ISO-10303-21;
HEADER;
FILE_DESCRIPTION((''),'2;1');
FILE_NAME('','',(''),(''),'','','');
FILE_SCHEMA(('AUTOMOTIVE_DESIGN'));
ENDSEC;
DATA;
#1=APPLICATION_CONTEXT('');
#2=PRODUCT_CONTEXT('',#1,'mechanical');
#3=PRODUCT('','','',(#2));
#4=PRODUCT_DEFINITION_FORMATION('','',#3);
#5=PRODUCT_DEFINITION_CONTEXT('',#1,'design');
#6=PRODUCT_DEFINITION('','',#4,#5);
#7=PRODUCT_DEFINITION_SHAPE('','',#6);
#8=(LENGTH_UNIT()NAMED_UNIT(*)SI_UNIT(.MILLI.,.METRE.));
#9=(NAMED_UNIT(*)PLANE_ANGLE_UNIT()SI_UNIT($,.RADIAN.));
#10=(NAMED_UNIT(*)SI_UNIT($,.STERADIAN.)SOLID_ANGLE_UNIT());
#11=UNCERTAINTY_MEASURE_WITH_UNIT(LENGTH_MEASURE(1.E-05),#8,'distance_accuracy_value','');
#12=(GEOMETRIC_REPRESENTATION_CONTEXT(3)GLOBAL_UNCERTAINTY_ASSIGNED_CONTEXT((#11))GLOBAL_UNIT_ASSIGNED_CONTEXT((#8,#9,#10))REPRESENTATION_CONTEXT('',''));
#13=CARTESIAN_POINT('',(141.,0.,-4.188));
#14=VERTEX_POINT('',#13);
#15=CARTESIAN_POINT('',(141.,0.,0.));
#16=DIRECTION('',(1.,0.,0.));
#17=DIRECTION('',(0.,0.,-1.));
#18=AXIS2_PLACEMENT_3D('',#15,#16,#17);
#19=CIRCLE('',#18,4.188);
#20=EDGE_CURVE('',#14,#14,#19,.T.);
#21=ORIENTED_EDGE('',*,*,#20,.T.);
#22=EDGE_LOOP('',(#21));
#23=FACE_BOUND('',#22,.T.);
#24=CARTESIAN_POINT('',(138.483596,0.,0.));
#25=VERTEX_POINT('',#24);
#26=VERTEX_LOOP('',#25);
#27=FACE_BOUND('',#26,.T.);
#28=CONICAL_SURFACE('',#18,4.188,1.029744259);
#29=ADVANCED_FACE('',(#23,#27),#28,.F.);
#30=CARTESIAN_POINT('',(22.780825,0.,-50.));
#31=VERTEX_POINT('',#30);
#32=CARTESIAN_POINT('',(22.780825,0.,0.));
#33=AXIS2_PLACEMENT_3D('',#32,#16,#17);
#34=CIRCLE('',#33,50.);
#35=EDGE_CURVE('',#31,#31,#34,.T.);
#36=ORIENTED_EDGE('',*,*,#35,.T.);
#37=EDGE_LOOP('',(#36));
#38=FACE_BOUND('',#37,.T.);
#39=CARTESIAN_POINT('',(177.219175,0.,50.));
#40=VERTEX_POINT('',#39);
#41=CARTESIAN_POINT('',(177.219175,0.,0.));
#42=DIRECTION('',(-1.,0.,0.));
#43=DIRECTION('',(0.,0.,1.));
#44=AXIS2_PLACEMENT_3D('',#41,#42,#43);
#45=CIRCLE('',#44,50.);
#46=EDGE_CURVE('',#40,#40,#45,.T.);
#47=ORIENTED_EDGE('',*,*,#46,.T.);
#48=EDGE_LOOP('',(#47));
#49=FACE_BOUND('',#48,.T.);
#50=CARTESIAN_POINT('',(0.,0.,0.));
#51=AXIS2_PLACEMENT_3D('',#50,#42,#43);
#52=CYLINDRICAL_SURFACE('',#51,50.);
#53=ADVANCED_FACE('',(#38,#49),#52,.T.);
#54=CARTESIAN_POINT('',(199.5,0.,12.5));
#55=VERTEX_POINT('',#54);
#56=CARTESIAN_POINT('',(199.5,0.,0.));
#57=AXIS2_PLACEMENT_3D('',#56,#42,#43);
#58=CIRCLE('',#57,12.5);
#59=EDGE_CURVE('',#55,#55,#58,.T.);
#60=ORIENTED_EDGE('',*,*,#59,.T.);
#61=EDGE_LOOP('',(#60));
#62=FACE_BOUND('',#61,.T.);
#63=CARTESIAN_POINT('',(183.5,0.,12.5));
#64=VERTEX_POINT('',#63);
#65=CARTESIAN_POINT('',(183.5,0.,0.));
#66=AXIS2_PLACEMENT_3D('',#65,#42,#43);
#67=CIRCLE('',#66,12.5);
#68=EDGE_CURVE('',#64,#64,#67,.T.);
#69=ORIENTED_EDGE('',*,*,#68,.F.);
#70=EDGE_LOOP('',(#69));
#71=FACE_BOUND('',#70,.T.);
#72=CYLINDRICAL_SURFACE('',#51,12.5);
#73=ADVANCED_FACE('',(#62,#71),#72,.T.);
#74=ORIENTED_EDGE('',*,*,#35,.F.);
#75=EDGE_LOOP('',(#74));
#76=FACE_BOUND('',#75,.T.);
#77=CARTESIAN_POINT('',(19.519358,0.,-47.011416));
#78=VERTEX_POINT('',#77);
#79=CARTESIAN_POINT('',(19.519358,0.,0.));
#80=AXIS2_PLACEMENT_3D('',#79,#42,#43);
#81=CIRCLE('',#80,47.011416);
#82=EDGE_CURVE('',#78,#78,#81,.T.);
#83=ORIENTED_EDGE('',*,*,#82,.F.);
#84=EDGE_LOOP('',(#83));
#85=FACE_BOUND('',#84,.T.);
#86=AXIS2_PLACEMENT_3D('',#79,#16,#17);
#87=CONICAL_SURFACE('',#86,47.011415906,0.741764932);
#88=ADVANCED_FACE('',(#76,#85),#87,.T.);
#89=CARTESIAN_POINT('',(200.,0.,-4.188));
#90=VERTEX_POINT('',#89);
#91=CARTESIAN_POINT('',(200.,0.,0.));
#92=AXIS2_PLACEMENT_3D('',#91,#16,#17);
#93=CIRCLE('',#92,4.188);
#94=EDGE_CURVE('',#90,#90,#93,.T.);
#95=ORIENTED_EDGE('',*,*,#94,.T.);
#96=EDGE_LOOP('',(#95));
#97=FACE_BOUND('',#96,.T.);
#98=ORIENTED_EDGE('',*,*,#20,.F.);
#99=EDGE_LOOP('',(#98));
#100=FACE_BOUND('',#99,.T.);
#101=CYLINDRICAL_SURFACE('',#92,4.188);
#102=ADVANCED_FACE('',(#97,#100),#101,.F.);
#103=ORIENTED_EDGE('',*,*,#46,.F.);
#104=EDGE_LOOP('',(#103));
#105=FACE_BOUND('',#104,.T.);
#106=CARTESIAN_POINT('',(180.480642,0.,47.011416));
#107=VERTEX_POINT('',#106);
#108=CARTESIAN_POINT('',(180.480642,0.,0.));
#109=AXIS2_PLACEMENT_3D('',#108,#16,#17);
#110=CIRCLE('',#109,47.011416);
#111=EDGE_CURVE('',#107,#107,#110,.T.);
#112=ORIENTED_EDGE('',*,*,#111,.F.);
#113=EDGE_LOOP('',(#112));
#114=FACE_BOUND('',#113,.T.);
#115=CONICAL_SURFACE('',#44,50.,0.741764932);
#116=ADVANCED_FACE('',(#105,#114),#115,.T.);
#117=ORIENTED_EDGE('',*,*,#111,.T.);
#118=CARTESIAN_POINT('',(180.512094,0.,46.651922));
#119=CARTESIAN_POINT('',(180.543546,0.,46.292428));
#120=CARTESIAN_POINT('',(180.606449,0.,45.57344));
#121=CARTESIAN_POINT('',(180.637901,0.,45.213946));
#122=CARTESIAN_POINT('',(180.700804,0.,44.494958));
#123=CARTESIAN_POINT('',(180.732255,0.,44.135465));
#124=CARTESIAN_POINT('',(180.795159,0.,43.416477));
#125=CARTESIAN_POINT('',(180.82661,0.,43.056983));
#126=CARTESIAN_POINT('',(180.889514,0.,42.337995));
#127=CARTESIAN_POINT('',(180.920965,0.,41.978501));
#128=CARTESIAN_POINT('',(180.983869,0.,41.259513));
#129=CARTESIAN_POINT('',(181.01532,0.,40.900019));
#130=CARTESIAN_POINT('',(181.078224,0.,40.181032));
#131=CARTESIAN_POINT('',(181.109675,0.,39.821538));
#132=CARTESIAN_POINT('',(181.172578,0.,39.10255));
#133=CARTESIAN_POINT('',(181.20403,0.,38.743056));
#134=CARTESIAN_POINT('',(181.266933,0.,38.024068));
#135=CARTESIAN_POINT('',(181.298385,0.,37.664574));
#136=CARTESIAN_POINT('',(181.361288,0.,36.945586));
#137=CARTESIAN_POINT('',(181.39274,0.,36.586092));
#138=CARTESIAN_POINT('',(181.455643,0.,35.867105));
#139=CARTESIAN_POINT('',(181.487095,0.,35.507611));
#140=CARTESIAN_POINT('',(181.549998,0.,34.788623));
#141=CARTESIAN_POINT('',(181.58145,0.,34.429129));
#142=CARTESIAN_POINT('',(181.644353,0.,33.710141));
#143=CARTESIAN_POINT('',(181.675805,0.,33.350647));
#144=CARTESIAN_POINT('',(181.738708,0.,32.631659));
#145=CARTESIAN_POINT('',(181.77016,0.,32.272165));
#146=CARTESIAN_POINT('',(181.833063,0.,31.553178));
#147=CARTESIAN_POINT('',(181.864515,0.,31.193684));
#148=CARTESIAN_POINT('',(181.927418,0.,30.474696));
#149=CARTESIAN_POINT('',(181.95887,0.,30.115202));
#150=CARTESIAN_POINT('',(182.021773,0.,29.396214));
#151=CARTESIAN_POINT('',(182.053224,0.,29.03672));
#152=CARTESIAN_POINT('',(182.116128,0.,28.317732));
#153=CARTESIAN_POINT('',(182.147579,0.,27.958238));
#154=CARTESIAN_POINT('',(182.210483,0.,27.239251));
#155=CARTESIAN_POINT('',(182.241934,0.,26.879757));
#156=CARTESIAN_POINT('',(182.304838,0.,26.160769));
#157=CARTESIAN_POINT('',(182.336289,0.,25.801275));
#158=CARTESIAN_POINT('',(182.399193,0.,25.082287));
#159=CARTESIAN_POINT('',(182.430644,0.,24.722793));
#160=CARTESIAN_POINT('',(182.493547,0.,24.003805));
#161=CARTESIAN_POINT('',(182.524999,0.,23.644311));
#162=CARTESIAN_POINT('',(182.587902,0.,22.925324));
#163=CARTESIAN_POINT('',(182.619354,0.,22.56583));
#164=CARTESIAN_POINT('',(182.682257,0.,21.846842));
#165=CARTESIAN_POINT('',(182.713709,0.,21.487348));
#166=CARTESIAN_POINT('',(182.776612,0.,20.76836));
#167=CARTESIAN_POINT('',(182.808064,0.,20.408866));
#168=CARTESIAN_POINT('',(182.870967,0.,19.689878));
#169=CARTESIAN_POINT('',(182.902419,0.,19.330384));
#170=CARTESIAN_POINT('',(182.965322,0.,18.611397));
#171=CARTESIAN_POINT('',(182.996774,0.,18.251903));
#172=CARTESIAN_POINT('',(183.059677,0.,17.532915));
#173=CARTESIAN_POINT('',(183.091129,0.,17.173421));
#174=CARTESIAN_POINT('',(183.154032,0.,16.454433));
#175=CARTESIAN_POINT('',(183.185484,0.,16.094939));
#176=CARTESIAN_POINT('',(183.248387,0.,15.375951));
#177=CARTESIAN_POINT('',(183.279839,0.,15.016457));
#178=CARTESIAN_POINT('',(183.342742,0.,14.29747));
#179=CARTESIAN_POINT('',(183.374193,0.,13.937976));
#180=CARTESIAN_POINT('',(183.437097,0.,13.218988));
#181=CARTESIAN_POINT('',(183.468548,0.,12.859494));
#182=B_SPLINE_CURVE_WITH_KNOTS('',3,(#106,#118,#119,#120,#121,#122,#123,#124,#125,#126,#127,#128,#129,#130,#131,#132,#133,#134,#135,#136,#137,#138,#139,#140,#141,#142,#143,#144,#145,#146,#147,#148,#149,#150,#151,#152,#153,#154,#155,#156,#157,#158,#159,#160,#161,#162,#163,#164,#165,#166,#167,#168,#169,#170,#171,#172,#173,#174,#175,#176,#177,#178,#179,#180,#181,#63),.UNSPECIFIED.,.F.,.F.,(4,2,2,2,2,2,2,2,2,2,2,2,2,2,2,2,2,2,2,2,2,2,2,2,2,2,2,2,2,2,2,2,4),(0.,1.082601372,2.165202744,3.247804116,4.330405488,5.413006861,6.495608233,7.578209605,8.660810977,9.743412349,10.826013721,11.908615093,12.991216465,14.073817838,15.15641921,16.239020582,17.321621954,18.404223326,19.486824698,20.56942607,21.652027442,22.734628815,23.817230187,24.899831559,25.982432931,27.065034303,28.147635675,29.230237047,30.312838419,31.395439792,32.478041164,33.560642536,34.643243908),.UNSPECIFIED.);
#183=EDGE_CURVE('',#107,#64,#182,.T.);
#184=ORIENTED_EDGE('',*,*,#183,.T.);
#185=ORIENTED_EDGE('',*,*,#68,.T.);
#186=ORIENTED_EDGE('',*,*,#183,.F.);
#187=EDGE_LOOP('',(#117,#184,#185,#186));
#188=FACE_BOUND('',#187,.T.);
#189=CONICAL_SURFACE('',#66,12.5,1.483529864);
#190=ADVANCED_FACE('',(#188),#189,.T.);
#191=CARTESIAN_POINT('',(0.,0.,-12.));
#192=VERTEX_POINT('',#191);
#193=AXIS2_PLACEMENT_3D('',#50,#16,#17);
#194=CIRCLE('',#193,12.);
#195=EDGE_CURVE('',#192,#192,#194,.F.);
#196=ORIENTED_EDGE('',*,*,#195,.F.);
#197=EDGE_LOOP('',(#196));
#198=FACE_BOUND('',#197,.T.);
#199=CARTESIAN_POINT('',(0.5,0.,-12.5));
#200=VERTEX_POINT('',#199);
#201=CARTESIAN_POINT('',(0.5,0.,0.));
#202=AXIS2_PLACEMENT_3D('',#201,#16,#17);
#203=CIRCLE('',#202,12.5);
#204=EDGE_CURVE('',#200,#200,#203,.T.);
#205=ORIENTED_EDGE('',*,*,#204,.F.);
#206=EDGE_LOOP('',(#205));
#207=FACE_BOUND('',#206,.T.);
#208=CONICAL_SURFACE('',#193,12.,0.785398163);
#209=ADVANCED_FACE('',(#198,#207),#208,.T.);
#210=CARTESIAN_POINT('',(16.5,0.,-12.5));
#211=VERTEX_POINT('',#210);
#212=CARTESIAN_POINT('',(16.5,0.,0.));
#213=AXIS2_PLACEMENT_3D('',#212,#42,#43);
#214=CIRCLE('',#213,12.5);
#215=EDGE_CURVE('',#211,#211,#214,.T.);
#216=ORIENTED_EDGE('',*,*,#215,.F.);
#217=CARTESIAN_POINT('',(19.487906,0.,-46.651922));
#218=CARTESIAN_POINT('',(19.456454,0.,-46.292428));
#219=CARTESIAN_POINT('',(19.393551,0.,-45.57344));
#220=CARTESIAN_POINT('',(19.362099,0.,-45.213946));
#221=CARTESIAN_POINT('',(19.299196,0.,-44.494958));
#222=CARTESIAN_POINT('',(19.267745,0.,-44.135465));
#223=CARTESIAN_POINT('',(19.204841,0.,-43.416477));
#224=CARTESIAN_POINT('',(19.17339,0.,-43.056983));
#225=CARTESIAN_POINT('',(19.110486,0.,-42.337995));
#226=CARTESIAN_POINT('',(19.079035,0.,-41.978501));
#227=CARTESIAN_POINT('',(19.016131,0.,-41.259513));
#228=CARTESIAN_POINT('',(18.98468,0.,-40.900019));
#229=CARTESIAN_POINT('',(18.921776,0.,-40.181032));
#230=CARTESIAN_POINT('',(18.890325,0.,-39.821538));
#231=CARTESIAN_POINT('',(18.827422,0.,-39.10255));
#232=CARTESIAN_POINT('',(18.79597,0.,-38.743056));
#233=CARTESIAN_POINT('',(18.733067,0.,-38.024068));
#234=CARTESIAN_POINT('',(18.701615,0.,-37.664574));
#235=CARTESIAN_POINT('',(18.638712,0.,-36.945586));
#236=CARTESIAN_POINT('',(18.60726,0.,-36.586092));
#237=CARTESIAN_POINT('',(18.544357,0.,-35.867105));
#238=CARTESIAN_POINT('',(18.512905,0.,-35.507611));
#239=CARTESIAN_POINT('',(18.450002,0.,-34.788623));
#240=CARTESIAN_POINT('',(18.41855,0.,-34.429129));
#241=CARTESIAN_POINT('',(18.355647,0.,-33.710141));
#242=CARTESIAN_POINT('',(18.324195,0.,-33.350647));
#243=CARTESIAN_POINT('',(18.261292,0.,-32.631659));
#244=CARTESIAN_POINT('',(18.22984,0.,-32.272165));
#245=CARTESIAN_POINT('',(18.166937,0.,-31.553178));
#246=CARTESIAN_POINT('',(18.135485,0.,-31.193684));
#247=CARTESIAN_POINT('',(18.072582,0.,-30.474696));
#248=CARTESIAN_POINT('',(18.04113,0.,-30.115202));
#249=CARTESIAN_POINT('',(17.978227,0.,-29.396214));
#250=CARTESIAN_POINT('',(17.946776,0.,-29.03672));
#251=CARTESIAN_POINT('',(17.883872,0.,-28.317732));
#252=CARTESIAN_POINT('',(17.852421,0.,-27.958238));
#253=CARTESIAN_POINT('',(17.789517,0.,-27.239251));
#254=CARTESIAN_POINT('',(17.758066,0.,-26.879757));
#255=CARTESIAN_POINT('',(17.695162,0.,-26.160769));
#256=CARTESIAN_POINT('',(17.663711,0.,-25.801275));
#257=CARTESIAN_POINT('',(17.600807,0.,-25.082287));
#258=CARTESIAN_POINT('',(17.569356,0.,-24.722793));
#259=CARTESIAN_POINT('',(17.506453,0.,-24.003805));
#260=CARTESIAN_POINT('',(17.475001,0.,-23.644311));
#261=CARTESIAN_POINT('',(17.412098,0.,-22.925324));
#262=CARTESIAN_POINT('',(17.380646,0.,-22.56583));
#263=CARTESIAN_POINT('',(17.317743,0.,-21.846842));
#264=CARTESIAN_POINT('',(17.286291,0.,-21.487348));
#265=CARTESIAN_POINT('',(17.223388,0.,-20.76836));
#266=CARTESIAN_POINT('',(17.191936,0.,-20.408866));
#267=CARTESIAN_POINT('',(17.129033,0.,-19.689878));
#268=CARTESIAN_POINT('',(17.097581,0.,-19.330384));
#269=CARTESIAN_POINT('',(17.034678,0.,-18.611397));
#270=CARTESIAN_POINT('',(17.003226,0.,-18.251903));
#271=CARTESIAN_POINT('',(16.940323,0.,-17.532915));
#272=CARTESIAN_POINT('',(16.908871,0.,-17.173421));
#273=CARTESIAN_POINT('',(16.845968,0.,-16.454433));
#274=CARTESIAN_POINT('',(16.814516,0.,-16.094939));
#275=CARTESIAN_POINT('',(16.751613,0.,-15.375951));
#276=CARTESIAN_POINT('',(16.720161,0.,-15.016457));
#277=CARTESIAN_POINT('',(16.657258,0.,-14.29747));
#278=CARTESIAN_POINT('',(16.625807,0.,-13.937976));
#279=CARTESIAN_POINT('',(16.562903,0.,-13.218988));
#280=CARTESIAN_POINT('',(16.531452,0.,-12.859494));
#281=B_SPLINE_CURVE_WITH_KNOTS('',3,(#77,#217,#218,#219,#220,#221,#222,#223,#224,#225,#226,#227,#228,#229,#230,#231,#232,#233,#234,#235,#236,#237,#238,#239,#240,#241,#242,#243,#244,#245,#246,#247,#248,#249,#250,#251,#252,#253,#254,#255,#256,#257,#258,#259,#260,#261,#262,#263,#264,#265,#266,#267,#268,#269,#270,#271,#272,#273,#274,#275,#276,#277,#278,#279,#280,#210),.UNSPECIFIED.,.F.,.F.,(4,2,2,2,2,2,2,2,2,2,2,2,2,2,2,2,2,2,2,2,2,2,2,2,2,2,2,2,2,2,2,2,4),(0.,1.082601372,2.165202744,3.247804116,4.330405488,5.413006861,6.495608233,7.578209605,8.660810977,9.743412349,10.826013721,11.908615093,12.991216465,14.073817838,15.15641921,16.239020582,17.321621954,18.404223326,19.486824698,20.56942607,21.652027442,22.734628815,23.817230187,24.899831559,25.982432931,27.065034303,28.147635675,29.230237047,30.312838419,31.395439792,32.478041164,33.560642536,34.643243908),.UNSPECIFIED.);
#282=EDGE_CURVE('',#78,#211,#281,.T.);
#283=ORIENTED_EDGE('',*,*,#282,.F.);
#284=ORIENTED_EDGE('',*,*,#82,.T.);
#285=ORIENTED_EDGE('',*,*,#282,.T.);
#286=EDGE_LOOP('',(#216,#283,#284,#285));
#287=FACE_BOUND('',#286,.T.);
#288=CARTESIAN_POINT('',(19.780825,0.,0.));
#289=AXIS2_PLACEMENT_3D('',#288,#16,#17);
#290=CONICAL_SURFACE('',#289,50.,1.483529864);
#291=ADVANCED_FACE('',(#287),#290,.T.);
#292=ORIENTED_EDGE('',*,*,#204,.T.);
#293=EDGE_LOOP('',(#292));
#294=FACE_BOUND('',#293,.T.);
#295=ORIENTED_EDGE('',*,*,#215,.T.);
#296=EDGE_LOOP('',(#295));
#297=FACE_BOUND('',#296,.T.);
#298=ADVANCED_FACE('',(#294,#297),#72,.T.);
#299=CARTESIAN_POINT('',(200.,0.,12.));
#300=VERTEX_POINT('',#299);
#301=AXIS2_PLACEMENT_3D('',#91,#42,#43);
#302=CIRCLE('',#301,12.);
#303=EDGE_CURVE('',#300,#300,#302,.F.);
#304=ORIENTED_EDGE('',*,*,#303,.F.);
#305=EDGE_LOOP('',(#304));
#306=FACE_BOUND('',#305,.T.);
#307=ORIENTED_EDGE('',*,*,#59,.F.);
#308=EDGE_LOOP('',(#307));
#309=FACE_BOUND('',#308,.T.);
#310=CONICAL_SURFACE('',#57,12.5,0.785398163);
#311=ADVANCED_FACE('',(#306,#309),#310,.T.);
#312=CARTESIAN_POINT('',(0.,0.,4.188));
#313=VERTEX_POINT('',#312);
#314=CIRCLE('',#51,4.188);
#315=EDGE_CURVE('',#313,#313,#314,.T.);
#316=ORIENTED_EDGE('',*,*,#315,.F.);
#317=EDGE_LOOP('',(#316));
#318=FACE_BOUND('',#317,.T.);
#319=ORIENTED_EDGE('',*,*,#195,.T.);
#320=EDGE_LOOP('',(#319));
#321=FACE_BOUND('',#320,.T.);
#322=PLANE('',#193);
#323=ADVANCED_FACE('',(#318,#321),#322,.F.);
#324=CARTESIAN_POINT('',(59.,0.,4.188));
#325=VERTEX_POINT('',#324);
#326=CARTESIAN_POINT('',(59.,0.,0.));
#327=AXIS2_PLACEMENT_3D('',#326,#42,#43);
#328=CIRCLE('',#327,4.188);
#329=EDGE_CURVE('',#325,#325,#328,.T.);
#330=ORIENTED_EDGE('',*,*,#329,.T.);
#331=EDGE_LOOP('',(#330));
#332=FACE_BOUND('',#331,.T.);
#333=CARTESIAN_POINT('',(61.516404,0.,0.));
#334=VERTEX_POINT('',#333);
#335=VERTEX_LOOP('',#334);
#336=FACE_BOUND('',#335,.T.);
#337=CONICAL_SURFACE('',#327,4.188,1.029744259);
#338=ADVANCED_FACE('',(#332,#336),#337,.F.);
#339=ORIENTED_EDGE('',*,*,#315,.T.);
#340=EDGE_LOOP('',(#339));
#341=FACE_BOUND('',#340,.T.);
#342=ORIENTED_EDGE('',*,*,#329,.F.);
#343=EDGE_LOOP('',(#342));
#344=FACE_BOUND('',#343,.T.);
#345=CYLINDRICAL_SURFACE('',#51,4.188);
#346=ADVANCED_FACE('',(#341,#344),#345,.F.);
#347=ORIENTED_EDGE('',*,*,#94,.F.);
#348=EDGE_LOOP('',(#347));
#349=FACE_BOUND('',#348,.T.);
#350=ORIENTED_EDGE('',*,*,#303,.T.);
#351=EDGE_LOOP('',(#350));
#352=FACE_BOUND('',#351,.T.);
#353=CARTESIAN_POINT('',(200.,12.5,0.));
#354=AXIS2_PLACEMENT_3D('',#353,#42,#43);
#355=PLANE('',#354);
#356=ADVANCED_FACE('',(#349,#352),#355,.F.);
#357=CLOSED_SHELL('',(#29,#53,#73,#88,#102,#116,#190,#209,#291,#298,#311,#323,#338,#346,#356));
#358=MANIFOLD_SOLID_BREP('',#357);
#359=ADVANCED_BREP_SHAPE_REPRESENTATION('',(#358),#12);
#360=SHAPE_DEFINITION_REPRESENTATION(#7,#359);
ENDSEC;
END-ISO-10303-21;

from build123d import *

# Parameters (mm, degrees)
CHAMFER_1_SIZE      = 3
CHAMFER_2_SIZE      = 0.5
HOLE_WIZARD_1_D     = 8.376
HOLE_WIZARD_1_DEPTH = 59
HOLE_WIZARD_1_TIP   = 2.516404272
HOLE_WIZARD_2_D     = 8.376
HOLE_WIZARD_2_DEPTH = 59
HOLE_WIZARD_2_TIP   = 2.516404272


with BuildPart() as part:
    # 草圖1 → 迴轉1 (revolve)
    with BuildSketch(Plane.XY, mode=Mode.PRIVATE) as revolve_1_sk:
        Polygon((0, 0), (0, 12.5), (16.5, 12.5), (19.780824882, 50), (180.219175118, 50), (183.5, 12.5), (200, 12.5), (200, 0), align=None)
    revolve(revolve_1_sk.sketch.rotate(Axis((0, 0, 0), (1, 0, 0)), 90), axis=Axis((0, 0, 0), (1, 0, 0)))

    # 倒角1
    chamfer_1_edges = [part.edges().sort_by_distance(p)[0] for p in [
        (180.219175118, 0, -50),
        (19.780824882, 0, -50),
    ]]
    chamfer(chamfer_1_edges, length=CHAMFER_1_SIZE)

    # 倒角2
    chamfer_2_edges = [part.edges().sort_by_distance(p)[0] for p in [
        (200, 0, -12.5),
        (0, 0, -12.5),
    ]]
    chamfer(chamfer_2_edges, length=CHAMFER_2_SIZE)

    # 孔1
    with Locations(Plane(origin=(200, 0, 0), x_dir=(0, 0, -1), z_dir=(1, 0, 0))):
        with Locations((0, 0)):
            Hole(HOLE_WIZARD_1_D / 2, depth=HOLE_WIZARD_1_DEPTH)
            with Locations((0, 0, -(HOLE_WIZARD_1_DEPTH + HOLE_WIZARD_1_TIP / 2))):  # 118° drill point
                Cone(0, HOLE_WIZARD_1_D / 2, HOLE_WIZARD_1_TIP, mode=Mode.SUBTRACT)

    # 孔2
    with Locations(Plane.ZY):
        with Locations((0, 0)):
            Hole(HOLE_WIZARD_2_D / 2, depth=HOLE_WIZARD_2_DEPTH)
            with Locations((0, 0, -(HOLE_WIZARD_2_DEPTH + HOLE_WIZARD_2_TIP / 2))):  # 118° drill point
                Cone(0, HOLE_WIZARD_2_D / 2, HOLE_WIZARD_2_TIP, mode=Mode.SUBTRACT)


solid = part.part
